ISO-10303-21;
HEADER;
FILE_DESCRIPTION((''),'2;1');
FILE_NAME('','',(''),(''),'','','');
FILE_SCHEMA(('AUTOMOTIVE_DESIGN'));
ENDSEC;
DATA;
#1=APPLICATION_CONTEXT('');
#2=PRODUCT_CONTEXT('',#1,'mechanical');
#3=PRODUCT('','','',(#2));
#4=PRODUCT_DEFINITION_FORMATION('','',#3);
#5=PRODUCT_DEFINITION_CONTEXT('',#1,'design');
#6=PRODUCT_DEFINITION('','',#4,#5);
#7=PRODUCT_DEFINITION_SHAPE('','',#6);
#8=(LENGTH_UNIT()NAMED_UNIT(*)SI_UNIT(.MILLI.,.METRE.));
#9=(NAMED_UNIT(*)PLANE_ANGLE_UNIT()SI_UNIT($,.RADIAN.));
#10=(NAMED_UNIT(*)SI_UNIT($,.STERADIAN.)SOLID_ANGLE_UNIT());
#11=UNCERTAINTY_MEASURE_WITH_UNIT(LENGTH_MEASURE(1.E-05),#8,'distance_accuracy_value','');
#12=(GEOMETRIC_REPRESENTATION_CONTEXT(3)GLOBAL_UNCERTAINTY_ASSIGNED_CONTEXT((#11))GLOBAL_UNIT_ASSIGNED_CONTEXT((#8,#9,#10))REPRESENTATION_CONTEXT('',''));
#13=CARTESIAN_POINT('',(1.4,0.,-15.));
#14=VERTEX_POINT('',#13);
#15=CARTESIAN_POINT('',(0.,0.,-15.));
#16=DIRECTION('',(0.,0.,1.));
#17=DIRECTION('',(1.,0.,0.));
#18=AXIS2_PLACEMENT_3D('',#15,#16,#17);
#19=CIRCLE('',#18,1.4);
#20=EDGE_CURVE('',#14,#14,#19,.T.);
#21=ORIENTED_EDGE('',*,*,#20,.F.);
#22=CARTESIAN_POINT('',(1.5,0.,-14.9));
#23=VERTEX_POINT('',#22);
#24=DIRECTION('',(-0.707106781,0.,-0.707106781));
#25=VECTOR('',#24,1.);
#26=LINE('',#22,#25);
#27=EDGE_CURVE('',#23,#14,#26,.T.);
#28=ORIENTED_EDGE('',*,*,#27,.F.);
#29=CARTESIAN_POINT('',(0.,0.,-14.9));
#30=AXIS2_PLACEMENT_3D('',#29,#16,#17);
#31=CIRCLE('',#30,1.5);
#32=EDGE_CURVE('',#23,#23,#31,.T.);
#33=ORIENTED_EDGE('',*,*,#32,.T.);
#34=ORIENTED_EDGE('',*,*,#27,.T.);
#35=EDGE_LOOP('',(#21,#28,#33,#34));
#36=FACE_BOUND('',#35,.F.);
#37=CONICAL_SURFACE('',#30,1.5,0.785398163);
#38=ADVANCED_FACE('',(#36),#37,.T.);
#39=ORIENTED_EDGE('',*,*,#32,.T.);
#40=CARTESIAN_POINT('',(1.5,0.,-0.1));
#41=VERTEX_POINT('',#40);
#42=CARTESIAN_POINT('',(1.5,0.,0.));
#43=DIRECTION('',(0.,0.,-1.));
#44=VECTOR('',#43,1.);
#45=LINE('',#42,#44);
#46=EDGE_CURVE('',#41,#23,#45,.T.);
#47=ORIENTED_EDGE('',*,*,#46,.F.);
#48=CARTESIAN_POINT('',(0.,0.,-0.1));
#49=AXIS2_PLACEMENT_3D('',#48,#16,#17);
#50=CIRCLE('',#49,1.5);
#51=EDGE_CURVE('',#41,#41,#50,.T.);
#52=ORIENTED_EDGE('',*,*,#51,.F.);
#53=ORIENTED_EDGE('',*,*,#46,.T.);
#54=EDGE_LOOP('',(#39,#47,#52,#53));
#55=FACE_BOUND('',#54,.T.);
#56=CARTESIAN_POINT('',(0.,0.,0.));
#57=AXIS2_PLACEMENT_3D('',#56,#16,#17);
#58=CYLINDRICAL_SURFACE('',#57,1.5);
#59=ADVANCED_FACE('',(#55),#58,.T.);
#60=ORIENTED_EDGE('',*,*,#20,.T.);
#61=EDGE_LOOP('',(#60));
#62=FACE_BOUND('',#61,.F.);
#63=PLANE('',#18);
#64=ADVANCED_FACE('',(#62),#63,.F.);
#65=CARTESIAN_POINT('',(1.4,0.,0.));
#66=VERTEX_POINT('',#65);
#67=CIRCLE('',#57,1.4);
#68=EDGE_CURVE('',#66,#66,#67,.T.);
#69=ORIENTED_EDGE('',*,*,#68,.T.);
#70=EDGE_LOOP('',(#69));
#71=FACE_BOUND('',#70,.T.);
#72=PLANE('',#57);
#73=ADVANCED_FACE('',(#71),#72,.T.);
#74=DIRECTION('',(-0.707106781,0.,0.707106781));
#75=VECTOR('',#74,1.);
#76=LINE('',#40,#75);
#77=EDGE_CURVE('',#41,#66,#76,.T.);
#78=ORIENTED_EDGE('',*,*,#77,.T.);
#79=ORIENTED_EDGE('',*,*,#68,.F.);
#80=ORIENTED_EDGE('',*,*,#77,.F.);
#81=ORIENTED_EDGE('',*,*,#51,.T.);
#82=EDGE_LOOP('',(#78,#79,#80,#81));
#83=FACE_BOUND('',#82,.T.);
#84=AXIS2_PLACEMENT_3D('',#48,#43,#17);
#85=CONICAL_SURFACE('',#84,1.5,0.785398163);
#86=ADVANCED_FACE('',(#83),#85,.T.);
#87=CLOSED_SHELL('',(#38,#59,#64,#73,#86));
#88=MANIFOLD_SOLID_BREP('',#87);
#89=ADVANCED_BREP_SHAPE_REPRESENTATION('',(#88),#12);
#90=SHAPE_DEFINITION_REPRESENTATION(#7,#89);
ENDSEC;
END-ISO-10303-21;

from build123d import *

# Parameters (mm, degrees)
SKETCH_R     = 1.5
PAD_DEPTH    = 15
CHAMFER_SIZE = 0.1


with BuildPart() as part:
    # Sketch → Pad (new body)
    with BuildSketch(Plane.XY):
        Circle(SKETCH_R)
    extrude(amount=-PAD_DEPTH)

    # Chamfer
    chamfer_edges = [part.edges().sort_by_distance(p)[0] for p in [
        (-1.5, 0, 0),
        (-1.5, 0, -15),
    ]]
    chamfer(chamfer_edges, length=CHAMFER_SIZE)


solid = part.part
